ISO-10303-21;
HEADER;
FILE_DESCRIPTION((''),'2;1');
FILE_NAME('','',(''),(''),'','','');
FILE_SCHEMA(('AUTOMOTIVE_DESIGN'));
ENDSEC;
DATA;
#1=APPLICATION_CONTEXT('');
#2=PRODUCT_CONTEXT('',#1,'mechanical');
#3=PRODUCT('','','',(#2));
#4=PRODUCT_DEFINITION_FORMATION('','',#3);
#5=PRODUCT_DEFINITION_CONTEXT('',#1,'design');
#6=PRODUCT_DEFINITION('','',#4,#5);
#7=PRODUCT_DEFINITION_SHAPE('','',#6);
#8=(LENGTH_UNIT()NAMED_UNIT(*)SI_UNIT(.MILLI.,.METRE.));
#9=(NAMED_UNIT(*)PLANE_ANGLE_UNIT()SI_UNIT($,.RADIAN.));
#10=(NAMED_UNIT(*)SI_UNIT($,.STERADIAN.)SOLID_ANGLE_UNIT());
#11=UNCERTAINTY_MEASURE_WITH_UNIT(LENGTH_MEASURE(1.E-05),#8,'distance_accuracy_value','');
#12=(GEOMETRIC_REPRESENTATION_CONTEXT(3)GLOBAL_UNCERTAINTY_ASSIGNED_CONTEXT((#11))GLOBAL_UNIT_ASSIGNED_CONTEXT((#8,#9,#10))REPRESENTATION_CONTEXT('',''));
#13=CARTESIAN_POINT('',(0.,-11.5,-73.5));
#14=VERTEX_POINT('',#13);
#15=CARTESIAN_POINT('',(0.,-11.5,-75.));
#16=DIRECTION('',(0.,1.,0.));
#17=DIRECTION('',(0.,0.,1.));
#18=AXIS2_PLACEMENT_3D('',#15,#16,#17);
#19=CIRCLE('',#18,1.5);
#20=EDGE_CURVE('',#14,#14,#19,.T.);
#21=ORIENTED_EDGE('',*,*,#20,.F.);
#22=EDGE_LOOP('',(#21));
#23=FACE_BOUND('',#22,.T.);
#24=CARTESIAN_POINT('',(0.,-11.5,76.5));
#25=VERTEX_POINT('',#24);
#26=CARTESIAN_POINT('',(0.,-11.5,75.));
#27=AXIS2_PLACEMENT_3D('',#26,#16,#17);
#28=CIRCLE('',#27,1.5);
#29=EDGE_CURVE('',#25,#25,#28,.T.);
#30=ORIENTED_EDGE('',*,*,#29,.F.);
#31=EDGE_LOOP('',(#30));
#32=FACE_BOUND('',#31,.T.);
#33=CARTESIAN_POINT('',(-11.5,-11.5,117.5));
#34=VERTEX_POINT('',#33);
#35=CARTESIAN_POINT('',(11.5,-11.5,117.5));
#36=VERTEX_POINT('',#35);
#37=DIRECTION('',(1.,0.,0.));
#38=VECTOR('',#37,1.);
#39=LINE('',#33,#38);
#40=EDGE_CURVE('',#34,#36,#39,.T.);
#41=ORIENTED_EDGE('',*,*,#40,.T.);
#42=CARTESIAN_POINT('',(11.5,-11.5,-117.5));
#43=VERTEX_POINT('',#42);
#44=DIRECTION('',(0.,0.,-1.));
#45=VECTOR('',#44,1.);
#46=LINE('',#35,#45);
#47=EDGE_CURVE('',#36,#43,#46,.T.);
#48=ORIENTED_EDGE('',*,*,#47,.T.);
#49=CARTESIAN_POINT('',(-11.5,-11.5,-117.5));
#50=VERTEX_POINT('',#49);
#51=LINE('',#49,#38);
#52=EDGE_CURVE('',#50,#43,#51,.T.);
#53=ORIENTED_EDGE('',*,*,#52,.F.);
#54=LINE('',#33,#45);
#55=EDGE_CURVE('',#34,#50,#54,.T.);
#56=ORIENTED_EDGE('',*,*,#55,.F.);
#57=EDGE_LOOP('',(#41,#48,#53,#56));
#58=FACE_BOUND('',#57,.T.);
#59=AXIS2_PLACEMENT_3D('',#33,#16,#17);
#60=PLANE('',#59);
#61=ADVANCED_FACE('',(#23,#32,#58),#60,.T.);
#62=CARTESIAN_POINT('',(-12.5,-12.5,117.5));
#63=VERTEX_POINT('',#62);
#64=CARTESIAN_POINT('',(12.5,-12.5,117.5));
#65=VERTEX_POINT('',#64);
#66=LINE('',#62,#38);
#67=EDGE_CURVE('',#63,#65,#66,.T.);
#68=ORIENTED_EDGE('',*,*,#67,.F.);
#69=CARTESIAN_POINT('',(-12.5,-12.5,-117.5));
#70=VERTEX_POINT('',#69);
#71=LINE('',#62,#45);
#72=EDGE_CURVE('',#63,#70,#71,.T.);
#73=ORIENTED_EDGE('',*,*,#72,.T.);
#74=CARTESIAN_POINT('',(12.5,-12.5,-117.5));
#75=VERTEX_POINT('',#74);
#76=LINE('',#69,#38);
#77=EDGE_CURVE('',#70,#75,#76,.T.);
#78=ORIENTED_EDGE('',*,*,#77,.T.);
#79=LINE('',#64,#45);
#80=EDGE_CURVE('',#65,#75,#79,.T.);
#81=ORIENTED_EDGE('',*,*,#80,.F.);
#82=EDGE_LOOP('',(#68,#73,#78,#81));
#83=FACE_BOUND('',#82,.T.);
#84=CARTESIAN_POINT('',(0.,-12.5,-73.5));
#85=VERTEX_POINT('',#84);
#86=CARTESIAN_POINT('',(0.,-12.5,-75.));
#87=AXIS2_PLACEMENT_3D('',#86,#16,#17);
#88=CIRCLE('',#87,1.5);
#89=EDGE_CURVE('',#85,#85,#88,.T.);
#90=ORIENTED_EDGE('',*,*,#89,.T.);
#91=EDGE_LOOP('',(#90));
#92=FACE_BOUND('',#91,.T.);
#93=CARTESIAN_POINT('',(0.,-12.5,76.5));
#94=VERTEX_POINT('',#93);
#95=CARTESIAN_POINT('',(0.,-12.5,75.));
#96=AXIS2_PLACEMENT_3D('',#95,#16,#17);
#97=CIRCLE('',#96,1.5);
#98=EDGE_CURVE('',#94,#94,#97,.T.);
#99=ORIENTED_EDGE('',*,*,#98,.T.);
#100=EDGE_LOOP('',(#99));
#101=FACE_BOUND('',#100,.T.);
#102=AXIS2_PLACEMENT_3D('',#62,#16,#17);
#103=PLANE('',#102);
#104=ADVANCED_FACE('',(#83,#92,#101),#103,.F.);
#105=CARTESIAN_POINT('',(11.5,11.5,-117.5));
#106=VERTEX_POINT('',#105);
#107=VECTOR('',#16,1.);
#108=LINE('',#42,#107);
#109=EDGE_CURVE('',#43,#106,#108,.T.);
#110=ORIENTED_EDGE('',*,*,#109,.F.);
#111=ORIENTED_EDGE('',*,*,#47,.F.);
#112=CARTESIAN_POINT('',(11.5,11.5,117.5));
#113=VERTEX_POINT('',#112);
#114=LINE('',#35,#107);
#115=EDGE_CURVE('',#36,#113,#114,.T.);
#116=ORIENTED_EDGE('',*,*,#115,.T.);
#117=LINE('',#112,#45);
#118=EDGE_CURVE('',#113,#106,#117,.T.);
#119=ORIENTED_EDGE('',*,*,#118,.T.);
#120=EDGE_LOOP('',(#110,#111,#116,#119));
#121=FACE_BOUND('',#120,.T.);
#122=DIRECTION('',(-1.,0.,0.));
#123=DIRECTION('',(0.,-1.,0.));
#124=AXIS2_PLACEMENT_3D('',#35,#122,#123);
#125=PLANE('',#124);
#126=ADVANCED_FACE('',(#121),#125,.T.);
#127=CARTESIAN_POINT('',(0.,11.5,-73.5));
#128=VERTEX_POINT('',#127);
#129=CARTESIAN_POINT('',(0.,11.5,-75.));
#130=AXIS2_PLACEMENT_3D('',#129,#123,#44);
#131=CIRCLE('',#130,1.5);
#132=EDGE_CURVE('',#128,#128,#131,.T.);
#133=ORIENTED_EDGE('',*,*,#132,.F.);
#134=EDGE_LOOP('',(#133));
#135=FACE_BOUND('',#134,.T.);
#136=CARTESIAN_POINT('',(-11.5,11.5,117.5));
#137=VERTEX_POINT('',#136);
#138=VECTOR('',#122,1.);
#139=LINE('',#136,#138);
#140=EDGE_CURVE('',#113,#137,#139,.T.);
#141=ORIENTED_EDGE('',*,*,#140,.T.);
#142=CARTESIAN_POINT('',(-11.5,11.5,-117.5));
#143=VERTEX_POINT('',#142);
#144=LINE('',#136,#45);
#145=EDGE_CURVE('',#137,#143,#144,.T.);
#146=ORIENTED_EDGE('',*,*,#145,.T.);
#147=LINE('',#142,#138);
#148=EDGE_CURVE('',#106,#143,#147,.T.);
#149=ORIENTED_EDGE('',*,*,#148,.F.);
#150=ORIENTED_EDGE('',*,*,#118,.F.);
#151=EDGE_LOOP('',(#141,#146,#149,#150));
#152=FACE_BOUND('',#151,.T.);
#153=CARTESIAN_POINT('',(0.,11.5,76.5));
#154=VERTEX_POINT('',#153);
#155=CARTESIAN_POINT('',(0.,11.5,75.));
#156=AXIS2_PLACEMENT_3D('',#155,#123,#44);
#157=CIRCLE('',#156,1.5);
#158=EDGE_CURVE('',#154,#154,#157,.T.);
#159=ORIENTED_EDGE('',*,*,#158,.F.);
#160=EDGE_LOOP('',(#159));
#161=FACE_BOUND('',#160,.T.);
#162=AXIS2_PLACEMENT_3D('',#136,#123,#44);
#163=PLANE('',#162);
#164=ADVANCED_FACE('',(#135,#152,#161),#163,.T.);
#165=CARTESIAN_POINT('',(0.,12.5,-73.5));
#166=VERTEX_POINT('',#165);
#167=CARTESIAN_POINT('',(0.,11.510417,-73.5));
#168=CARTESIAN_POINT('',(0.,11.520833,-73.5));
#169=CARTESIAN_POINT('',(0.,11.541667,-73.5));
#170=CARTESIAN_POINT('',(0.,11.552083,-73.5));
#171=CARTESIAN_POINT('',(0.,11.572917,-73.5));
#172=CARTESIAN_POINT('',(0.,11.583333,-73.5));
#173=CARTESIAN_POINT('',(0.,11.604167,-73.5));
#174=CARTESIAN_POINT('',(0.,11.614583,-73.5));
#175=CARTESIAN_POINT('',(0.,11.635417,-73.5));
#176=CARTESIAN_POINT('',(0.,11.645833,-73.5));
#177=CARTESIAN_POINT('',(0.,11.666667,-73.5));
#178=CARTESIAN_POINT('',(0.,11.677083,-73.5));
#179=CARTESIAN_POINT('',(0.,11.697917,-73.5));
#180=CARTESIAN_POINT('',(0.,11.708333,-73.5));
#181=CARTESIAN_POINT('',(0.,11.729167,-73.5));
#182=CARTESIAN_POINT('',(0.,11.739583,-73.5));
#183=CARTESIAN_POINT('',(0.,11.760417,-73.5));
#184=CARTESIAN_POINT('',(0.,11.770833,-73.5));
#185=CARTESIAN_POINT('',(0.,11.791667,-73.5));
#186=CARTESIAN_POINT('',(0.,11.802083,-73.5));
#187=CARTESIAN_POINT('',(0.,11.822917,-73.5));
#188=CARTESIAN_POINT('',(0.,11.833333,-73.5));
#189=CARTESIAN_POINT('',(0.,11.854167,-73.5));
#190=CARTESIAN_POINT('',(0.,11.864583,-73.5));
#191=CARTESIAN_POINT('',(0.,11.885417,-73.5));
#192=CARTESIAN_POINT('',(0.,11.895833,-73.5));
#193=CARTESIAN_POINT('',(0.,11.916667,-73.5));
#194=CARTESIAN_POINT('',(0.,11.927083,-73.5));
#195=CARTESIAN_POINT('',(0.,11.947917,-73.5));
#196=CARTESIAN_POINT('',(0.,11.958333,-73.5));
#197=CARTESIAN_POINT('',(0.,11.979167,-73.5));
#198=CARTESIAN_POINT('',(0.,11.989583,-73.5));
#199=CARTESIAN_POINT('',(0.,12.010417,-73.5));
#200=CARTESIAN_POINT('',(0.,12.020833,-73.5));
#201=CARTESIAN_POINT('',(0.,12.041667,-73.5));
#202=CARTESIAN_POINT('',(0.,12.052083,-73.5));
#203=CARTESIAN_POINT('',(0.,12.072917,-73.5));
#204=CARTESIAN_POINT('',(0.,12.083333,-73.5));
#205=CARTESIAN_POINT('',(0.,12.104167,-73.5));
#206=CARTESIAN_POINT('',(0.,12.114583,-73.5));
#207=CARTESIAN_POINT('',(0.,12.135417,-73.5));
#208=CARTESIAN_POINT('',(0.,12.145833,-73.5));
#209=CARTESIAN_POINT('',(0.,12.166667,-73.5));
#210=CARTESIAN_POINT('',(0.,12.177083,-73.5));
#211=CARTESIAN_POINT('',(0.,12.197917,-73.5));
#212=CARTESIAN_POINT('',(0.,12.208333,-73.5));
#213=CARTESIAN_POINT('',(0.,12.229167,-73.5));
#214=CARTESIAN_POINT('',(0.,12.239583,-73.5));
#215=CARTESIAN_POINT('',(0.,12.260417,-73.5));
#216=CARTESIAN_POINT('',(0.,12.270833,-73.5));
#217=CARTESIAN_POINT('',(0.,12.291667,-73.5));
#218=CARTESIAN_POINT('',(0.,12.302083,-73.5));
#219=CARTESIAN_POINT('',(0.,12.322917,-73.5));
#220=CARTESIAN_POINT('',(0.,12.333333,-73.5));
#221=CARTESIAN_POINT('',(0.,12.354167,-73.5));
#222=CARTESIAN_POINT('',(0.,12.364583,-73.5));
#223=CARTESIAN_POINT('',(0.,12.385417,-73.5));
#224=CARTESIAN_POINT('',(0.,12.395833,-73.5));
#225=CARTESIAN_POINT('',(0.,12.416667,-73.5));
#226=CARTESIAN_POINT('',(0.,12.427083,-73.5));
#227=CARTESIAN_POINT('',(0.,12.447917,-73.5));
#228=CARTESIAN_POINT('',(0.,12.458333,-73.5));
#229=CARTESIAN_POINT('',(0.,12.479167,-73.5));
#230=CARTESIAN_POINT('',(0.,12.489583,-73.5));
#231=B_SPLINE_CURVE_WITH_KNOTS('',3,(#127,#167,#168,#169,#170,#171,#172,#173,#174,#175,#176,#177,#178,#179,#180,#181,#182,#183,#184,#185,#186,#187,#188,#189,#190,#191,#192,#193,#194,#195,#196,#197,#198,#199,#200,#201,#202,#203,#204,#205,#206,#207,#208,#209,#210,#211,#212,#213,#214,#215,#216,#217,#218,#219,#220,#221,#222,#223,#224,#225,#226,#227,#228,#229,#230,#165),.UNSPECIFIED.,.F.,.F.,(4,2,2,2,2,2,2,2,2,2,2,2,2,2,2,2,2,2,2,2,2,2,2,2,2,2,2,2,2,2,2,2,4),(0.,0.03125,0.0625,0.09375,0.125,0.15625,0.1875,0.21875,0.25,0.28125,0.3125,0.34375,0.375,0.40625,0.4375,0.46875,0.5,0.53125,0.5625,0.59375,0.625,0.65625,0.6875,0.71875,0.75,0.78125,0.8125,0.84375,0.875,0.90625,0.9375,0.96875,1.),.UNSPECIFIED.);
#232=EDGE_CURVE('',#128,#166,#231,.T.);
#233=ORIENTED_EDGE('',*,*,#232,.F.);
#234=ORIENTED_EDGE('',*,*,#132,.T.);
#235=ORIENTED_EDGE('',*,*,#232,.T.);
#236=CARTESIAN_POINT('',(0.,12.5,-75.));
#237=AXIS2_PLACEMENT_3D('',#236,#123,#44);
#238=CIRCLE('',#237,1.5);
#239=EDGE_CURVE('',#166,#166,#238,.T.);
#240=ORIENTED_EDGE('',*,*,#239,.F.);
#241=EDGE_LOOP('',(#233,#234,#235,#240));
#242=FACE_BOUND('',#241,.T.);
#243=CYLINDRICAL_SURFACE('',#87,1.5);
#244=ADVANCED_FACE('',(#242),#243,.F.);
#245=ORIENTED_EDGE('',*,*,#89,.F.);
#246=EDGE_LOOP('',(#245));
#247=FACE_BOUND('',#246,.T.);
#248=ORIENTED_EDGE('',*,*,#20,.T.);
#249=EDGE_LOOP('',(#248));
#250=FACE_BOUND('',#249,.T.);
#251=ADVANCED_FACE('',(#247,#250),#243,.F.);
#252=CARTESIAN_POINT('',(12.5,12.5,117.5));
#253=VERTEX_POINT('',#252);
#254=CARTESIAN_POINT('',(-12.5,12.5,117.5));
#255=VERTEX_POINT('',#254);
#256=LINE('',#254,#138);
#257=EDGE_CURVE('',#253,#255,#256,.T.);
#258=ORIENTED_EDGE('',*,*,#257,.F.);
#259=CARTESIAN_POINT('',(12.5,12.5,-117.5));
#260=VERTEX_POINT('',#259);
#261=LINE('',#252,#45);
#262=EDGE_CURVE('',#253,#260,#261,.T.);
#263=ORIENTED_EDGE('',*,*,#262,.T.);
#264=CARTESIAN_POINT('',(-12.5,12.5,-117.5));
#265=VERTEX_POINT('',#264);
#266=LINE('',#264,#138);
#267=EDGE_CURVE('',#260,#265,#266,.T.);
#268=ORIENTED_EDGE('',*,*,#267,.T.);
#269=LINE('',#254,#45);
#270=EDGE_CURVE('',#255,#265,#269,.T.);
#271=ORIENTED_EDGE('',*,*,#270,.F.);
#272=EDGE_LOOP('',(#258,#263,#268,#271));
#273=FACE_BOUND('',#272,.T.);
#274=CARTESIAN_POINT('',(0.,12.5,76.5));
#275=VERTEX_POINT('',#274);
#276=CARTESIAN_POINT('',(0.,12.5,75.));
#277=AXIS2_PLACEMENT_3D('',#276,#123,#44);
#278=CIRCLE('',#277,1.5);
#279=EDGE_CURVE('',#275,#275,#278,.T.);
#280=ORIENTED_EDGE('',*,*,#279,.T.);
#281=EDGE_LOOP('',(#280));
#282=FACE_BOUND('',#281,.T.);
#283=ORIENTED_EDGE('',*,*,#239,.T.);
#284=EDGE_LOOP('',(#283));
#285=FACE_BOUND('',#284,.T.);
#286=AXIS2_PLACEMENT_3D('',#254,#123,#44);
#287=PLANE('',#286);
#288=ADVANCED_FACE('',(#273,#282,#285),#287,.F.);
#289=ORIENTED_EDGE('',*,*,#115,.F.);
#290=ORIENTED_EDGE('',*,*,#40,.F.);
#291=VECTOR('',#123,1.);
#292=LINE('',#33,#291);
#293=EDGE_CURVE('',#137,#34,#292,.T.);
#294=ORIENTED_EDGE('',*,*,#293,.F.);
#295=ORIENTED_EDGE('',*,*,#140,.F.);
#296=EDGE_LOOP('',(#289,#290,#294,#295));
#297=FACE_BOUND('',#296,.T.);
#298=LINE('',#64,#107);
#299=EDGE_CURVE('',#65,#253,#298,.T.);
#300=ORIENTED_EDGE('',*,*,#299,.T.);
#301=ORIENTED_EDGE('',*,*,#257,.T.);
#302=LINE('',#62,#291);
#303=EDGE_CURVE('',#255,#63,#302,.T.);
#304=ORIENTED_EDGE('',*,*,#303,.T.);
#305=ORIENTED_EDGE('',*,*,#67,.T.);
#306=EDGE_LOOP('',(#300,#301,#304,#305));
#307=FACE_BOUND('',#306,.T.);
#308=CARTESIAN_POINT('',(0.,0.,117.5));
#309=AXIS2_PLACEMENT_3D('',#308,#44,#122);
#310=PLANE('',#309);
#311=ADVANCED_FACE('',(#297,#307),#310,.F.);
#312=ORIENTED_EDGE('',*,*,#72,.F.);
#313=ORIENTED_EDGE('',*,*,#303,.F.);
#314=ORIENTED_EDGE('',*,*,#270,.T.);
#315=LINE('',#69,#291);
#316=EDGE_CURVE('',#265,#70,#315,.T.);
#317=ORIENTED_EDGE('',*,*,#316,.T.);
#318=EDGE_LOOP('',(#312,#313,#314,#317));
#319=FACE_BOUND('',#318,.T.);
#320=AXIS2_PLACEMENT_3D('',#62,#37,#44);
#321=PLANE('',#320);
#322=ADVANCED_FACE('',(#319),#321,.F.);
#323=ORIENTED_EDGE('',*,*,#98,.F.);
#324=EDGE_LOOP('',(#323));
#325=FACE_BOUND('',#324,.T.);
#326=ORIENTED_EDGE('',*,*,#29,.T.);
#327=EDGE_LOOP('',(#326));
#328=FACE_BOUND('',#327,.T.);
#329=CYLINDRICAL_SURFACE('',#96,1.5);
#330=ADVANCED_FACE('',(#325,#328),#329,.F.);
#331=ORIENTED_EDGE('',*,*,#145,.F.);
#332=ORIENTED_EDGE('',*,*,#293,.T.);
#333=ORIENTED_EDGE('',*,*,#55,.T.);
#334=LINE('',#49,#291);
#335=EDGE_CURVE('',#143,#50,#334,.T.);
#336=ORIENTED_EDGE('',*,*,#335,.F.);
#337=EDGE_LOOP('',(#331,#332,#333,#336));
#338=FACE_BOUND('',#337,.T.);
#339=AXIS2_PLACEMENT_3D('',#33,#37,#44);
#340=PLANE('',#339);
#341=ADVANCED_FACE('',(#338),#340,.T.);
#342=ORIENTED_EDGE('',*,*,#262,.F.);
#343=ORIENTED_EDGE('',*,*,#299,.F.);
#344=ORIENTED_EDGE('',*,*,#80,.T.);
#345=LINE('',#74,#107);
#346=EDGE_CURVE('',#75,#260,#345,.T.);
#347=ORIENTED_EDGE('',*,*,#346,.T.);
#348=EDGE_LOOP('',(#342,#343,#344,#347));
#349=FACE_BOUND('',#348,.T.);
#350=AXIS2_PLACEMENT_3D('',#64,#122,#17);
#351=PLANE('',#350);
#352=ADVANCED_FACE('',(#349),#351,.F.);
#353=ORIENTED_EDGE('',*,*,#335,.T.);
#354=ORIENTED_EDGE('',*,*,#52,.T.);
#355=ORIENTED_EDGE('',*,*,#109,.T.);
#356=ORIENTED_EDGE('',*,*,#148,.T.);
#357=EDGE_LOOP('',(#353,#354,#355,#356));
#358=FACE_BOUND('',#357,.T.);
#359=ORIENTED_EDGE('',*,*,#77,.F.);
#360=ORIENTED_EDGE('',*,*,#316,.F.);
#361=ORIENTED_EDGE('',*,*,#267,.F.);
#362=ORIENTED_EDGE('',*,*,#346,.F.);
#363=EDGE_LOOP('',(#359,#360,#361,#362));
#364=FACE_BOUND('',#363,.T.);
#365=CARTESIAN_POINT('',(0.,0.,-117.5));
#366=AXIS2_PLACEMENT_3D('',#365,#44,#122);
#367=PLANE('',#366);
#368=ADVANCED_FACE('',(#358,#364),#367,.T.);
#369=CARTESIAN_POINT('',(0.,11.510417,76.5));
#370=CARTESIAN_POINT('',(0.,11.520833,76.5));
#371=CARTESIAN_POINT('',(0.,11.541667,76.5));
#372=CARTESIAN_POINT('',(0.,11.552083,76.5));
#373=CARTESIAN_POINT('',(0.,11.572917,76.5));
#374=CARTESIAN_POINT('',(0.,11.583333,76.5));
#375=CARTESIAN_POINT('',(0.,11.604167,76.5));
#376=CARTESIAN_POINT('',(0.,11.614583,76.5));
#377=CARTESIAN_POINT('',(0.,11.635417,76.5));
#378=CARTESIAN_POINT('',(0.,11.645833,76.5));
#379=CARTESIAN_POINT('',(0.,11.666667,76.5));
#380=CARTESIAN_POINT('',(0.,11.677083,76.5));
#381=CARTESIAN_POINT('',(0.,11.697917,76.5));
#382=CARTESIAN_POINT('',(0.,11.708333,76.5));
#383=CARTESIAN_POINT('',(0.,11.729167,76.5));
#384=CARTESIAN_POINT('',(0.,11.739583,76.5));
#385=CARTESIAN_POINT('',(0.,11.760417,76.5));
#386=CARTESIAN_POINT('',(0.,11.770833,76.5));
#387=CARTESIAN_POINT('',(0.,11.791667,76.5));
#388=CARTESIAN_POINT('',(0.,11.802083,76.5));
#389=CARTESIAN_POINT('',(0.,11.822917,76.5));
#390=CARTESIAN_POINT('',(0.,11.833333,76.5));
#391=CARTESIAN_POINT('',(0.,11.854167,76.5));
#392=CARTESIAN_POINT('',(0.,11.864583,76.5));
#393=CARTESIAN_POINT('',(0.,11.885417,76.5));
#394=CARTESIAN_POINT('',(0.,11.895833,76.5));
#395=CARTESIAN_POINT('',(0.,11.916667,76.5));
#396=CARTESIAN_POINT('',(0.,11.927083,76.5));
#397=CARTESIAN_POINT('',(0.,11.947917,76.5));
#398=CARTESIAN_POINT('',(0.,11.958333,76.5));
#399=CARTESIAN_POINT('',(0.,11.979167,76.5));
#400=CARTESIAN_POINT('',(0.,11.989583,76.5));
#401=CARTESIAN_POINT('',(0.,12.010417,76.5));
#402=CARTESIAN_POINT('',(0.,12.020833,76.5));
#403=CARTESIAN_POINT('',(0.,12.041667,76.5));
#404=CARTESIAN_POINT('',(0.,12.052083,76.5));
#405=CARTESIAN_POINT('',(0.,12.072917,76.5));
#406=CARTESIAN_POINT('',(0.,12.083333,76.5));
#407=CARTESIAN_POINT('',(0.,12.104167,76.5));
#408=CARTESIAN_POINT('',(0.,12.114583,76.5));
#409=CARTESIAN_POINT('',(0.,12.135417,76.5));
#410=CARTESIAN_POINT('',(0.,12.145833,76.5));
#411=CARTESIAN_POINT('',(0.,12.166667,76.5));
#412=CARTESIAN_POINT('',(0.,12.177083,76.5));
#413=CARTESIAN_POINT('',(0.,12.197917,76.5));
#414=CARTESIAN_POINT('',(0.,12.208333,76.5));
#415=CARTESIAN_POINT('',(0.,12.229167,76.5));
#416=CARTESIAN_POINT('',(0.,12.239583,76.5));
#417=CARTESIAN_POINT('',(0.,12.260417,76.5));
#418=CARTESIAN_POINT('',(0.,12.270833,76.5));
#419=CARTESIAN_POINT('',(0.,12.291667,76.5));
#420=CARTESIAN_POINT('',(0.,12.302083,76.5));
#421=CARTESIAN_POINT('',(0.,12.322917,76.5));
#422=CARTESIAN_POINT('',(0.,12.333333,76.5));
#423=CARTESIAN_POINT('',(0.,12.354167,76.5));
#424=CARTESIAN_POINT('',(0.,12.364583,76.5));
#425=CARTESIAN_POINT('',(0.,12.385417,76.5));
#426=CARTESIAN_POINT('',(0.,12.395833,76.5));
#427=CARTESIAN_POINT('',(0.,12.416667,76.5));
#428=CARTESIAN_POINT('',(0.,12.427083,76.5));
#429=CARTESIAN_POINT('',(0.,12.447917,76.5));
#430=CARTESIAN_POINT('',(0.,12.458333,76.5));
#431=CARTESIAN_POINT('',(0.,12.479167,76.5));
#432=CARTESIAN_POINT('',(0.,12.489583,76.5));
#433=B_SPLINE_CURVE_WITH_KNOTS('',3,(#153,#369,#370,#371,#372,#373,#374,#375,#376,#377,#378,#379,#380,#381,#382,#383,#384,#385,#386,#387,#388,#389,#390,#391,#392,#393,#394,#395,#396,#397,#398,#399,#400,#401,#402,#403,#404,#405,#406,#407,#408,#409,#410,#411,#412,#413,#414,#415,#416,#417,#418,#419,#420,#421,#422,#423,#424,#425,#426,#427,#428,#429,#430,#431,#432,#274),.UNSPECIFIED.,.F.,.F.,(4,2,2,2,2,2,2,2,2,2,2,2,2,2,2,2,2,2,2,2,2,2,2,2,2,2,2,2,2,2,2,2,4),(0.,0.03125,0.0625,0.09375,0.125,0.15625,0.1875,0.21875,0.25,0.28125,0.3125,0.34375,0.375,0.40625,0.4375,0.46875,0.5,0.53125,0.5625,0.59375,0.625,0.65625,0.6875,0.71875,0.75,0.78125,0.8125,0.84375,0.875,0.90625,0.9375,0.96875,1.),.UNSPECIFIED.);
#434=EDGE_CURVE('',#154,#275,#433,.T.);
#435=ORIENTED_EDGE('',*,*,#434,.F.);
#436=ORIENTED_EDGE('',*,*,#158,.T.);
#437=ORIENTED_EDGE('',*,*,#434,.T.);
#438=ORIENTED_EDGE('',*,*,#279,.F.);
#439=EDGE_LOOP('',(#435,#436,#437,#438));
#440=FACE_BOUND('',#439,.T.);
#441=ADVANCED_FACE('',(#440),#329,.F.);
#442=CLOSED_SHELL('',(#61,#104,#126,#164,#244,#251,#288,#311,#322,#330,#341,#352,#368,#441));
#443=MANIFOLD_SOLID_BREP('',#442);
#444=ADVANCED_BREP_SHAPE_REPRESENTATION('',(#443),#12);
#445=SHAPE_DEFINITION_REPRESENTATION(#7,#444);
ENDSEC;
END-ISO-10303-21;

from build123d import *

# Parameters (mm, degrees)
SKETCH1_W               = 25
SKETCH1_H               = 25
SKETCH1_W_2             = 23
SKETCH1_H_2             = 23
BOSS_EXTRUDE1_DEPTH     = 117.5
CUT_EXTRUDE1_DEPTH      = 121.778723292
CUT_EXTRUDE1_DEPTH_BACK = 121.778723292
SKETCH2_R               = 1.5


with BuildPart() as part:
    # Sketch1 → Boss-Extrude1 (new, symmetric)
    with BuildSketch(Plane.XY):
        Rectangle(SKETCH1_W, SKETCH1_H)
        Rectangle(SKETCH1_W_2, SKETCH1_H_2, mode=Mode.SUBTRACT)
    extrude(amount=BOSS_EXTRUDE1_DEPTH, both=True)

    # Sketch2 → Cut-Extrude1 (cut, two sides: drawn at the far end of the back side and taken through both)
    with BuildSketch(Plane(origin=(0, 12.5, 0), x_dir=(1, 0, 0), z_dir=(0, 1, 0)).offset(-CUT_EXTRUDE1_DEPTH_BACK)):
        with Locations(Location((0, 75, 0), (0, 0, 270))):
            Circle(SKETCH2_R)
        with Locations(Location((0, -75, 0), (0, 0, 270))):
            Circle(SKETCH2_R)
    extrude(amount=CUT_EXTRUDE1_DEPTH + CUT_EXTRUDE1_DEPTH_BACK, mode=Mode.SUBTRACT)


solid = part.part
